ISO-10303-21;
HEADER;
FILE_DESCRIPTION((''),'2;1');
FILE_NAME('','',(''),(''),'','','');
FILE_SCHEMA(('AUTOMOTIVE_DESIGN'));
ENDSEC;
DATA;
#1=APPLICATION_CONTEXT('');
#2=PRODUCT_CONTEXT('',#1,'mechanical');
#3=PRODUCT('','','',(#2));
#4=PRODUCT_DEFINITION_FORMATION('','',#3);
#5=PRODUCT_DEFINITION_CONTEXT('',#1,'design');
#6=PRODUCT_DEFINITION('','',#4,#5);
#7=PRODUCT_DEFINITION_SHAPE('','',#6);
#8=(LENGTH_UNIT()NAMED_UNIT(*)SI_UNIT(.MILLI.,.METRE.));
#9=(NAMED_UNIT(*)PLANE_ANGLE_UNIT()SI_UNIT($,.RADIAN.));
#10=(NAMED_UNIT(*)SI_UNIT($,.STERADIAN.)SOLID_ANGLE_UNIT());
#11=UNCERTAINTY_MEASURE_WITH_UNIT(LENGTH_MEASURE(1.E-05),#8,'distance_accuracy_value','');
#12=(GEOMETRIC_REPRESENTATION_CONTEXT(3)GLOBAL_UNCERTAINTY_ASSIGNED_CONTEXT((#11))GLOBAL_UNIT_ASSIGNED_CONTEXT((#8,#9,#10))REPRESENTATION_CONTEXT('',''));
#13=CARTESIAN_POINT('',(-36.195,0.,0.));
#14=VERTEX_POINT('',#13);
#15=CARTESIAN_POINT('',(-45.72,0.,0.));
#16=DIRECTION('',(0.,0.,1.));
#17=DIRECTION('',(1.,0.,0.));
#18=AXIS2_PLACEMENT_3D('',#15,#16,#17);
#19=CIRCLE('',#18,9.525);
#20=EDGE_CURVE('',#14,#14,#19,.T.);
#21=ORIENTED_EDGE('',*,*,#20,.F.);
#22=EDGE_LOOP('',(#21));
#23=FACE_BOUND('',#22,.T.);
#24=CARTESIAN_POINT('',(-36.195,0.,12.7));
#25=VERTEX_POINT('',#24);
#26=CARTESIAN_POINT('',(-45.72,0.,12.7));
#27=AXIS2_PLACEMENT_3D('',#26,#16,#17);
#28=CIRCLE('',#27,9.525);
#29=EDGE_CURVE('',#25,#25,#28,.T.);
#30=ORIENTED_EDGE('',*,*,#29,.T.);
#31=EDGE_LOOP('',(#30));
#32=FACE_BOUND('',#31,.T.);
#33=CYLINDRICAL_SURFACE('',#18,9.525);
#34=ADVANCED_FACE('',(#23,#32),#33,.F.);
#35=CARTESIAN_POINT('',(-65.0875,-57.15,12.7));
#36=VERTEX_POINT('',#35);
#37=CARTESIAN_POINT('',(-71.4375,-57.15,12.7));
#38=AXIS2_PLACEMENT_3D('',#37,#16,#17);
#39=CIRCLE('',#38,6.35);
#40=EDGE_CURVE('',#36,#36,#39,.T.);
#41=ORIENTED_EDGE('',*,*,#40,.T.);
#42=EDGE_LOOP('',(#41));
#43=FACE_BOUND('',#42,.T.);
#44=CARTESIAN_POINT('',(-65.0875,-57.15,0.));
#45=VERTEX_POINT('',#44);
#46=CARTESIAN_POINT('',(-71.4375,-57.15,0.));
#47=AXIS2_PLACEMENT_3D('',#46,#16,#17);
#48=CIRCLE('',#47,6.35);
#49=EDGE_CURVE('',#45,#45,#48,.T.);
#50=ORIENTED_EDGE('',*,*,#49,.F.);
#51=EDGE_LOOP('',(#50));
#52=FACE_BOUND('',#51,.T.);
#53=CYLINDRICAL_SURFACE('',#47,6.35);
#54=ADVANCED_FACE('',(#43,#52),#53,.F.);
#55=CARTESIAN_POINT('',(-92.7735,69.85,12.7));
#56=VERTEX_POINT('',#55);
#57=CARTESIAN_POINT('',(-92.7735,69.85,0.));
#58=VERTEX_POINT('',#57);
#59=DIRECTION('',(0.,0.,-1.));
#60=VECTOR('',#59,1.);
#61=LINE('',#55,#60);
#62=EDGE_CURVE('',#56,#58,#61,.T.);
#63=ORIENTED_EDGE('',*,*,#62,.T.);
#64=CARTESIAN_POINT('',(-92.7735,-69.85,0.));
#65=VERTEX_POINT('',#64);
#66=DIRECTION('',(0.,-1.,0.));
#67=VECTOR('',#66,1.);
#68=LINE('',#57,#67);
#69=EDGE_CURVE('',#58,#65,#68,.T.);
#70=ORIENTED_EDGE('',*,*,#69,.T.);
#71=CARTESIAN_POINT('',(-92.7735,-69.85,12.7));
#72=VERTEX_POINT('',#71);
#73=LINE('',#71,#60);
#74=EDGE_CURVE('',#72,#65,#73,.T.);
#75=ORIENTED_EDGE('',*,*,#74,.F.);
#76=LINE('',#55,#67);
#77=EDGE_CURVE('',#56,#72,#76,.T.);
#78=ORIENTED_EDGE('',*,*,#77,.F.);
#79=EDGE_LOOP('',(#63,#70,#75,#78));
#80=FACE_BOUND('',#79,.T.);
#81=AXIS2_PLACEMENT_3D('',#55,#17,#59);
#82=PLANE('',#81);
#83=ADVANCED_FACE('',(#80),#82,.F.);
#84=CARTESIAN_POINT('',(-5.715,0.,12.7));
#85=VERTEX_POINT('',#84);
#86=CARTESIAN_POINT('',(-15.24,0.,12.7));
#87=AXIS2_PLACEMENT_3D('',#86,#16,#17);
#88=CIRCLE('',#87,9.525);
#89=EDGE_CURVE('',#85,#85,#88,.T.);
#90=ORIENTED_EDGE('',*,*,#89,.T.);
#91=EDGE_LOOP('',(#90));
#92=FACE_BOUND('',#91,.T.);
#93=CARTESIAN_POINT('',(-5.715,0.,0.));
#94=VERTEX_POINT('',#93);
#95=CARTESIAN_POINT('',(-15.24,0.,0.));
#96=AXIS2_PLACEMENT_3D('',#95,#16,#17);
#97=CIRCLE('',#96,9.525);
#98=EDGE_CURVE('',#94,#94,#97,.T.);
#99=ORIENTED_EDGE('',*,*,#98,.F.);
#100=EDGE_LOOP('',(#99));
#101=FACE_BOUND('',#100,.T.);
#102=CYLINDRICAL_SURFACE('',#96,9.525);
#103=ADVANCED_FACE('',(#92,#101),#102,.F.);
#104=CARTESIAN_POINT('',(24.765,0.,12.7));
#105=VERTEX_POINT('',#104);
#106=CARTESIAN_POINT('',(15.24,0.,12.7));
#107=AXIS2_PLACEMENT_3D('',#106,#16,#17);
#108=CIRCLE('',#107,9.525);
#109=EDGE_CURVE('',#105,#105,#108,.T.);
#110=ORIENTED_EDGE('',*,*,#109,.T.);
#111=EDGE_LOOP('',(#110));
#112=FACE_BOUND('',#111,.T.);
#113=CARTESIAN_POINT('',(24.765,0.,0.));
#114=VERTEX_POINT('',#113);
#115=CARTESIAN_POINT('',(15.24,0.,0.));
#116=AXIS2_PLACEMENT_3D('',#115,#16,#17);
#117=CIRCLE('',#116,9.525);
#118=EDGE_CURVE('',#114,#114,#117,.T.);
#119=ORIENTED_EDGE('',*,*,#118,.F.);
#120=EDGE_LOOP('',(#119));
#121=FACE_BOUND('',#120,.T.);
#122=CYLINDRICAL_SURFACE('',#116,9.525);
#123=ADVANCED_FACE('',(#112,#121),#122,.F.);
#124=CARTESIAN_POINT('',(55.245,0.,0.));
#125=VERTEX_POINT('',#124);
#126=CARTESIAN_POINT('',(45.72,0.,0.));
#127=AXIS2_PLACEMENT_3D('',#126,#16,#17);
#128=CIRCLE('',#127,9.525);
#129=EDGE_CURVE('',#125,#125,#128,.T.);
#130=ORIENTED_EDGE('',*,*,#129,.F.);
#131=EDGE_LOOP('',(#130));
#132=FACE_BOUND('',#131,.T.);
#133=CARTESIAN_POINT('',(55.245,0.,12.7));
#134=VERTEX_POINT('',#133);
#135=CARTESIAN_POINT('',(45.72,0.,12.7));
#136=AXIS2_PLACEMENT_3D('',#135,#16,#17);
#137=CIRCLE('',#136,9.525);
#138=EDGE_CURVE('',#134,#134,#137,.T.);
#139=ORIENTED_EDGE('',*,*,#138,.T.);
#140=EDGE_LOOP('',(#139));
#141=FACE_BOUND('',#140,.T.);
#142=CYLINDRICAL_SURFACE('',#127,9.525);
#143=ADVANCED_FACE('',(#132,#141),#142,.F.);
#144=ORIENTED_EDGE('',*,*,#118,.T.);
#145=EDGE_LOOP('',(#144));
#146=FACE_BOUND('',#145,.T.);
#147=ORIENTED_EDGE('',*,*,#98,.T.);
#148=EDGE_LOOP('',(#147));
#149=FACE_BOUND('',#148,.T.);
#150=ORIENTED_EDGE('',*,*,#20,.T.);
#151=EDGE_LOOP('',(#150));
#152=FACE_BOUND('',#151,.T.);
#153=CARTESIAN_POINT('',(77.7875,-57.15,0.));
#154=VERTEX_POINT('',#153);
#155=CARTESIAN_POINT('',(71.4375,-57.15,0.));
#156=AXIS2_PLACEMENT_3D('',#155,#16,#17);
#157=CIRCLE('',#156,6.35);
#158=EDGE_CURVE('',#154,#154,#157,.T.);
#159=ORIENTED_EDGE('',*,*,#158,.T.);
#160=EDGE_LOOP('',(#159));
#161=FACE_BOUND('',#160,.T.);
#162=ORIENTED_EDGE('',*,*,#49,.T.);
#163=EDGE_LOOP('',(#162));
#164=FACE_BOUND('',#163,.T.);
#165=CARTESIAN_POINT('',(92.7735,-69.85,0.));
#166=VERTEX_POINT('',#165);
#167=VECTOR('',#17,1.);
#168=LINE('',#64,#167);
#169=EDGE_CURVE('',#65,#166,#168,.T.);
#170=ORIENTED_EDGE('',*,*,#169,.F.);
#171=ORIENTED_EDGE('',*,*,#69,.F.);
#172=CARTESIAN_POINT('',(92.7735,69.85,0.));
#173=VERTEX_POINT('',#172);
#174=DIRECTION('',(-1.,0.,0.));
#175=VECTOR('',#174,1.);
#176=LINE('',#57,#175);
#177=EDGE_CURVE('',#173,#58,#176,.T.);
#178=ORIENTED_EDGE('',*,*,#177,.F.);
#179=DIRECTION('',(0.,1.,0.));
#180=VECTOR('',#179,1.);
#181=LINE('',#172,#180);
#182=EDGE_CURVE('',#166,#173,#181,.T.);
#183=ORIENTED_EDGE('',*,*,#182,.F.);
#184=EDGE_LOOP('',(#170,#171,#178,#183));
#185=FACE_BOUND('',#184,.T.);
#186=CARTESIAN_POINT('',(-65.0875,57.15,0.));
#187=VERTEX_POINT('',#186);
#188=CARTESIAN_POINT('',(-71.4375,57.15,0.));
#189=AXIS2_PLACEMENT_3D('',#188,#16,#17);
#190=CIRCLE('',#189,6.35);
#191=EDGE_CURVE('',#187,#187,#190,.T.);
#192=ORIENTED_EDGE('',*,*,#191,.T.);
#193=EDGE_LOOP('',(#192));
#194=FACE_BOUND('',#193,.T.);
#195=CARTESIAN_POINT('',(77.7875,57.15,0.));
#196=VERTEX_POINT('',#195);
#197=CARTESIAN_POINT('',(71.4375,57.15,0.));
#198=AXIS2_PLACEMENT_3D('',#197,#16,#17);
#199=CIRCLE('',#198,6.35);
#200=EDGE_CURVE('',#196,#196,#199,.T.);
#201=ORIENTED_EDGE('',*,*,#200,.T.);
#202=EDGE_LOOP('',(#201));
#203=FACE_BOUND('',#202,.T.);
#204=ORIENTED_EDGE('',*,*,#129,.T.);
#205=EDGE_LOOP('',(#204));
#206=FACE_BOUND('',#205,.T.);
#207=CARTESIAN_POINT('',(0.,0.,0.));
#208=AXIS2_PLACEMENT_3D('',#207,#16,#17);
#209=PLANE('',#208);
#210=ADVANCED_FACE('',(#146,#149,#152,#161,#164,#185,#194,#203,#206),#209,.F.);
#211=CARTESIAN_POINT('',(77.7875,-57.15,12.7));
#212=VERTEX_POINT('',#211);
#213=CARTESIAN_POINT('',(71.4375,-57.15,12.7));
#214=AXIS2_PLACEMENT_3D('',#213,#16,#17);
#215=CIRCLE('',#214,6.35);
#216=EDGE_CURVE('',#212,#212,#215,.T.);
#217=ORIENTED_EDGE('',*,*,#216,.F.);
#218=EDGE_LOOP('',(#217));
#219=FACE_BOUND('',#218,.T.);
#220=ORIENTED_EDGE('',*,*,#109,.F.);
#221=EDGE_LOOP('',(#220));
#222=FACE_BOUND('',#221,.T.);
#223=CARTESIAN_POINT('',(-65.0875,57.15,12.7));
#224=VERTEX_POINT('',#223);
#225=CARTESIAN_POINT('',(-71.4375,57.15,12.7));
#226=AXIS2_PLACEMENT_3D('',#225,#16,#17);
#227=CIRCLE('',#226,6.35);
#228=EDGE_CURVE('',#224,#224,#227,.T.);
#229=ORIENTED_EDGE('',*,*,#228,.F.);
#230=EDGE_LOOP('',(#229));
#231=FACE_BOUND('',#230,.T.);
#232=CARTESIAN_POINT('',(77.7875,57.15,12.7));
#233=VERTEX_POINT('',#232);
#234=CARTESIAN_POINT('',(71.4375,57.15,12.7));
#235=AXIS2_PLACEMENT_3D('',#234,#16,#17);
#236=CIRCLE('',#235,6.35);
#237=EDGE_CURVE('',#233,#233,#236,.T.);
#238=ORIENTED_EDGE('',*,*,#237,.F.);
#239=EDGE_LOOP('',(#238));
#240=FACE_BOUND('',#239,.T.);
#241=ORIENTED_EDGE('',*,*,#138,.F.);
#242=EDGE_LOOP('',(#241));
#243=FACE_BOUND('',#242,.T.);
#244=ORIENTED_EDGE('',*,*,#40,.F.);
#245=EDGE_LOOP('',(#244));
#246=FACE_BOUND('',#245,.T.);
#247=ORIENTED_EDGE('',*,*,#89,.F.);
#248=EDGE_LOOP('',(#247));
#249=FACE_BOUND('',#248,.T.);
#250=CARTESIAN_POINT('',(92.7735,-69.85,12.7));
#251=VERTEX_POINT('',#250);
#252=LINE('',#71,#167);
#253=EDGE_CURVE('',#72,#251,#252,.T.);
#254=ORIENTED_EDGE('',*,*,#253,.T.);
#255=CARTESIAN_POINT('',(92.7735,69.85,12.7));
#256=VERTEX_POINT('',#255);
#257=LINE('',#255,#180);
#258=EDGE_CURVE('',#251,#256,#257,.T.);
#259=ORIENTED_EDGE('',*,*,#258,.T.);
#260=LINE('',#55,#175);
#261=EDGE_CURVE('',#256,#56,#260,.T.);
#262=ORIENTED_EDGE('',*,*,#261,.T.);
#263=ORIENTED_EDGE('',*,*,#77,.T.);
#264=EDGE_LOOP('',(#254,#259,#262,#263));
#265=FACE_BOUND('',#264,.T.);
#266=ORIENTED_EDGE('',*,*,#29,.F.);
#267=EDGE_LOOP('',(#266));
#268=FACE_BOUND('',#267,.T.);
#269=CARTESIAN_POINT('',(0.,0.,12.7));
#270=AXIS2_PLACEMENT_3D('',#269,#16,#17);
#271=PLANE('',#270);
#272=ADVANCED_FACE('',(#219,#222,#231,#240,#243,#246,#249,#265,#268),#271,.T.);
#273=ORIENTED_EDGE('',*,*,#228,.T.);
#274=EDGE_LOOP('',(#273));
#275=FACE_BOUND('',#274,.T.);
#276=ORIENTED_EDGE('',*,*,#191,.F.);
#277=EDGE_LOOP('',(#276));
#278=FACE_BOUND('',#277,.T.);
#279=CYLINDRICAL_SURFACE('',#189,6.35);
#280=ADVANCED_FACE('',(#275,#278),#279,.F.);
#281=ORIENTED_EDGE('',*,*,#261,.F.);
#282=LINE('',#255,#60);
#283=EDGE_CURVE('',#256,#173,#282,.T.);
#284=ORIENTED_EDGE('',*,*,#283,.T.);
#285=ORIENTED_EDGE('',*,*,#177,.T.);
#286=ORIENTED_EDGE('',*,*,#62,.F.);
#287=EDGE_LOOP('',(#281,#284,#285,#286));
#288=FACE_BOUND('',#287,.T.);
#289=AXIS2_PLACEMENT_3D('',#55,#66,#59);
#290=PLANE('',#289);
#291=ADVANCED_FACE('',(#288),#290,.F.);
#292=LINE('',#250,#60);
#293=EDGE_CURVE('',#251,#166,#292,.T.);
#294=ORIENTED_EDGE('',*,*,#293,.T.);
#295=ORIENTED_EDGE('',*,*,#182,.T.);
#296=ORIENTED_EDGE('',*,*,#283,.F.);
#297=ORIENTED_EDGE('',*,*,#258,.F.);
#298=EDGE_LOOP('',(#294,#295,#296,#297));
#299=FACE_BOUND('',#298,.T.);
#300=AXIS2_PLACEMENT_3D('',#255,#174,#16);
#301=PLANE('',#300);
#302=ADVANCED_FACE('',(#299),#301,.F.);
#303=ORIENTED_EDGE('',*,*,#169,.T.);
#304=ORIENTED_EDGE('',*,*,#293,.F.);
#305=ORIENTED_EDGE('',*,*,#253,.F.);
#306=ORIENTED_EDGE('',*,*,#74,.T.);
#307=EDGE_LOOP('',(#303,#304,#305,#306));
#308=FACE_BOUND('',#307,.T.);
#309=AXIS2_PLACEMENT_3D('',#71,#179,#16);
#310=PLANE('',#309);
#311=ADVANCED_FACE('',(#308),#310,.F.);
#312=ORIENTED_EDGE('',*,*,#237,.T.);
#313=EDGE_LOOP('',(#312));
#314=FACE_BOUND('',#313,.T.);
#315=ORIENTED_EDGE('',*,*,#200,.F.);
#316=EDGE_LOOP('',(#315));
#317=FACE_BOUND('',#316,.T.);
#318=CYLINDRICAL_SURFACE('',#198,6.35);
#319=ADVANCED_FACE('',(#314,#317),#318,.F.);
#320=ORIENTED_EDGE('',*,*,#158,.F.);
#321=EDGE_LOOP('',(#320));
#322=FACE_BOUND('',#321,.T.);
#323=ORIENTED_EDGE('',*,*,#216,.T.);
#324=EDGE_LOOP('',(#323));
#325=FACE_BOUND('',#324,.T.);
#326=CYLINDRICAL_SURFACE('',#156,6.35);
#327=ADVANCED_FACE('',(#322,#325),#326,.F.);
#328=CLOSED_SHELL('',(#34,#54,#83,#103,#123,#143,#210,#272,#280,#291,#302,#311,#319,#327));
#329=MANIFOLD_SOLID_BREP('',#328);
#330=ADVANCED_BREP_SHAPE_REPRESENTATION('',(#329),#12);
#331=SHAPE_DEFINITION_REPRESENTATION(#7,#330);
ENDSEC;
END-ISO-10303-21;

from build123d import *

# Parameters (mm, degrees)
SKETCH1_W           = 185.547
SKETCH1_H           = 139.7
BOSS_EXTRUDE1_DEPTH = 12.7
SKETCH2_R           = 9.525
CUT_EXTRUDE1_DEPTH  = 117.821379902
SKETCH3_R           = 6.35
CUT_EXTRUDE2_DEPTH  = 12.7


with BuildPart() as part:
    # Sketch1 → Boss-Extrude1 (new body)
    with BuildSketch(Plane.XY):
        Rectangle(SKETCH1_W, SKETCH1_H)
    extrude(amount=BOSS_EXTRUDE1_DEPTH)

    # Sketch2 → Cut-Extrude1 (cut, through all)
    with BuildSketch(Plane.XY.offset(12.7)):
        with Locations((-45.72, 0)):
            Circle(SKETCH2_R)
        with Locations((-15.24, 0)):
            Circle(SKETCH2_R)
        with Locations((15.24, 0)):
            Circle(SKETCH2_R)
        with Locations((45.72, 0)):
            Circle(SKETCH2_R)
    extrude(amount=-CUT_EXTRUDE1_DEPTH, mode=Mode.SUBTRACT)

    # Sketch3 → Cut-Extrude2 (cut)
    with BuildSketch(Plane.XY.offset(12.7)):
        with Locations((-71.4375, 57.15)):
            Circle(SKETCH3_R)
        with Locations((-71.4375, -57.15)):
            Circle(SKETCH3_R)
        with Locations((71.4375, 57.15)):
            Circle(SKETCH3_R)
        with Locations((71.4375, -57.15)):
            Circle(SKETCH3_R)
    extrude(amount=-CUT_EXTRUDE2_DEPTH, mode=Mode.SUBTRACT)


solid = part.part
